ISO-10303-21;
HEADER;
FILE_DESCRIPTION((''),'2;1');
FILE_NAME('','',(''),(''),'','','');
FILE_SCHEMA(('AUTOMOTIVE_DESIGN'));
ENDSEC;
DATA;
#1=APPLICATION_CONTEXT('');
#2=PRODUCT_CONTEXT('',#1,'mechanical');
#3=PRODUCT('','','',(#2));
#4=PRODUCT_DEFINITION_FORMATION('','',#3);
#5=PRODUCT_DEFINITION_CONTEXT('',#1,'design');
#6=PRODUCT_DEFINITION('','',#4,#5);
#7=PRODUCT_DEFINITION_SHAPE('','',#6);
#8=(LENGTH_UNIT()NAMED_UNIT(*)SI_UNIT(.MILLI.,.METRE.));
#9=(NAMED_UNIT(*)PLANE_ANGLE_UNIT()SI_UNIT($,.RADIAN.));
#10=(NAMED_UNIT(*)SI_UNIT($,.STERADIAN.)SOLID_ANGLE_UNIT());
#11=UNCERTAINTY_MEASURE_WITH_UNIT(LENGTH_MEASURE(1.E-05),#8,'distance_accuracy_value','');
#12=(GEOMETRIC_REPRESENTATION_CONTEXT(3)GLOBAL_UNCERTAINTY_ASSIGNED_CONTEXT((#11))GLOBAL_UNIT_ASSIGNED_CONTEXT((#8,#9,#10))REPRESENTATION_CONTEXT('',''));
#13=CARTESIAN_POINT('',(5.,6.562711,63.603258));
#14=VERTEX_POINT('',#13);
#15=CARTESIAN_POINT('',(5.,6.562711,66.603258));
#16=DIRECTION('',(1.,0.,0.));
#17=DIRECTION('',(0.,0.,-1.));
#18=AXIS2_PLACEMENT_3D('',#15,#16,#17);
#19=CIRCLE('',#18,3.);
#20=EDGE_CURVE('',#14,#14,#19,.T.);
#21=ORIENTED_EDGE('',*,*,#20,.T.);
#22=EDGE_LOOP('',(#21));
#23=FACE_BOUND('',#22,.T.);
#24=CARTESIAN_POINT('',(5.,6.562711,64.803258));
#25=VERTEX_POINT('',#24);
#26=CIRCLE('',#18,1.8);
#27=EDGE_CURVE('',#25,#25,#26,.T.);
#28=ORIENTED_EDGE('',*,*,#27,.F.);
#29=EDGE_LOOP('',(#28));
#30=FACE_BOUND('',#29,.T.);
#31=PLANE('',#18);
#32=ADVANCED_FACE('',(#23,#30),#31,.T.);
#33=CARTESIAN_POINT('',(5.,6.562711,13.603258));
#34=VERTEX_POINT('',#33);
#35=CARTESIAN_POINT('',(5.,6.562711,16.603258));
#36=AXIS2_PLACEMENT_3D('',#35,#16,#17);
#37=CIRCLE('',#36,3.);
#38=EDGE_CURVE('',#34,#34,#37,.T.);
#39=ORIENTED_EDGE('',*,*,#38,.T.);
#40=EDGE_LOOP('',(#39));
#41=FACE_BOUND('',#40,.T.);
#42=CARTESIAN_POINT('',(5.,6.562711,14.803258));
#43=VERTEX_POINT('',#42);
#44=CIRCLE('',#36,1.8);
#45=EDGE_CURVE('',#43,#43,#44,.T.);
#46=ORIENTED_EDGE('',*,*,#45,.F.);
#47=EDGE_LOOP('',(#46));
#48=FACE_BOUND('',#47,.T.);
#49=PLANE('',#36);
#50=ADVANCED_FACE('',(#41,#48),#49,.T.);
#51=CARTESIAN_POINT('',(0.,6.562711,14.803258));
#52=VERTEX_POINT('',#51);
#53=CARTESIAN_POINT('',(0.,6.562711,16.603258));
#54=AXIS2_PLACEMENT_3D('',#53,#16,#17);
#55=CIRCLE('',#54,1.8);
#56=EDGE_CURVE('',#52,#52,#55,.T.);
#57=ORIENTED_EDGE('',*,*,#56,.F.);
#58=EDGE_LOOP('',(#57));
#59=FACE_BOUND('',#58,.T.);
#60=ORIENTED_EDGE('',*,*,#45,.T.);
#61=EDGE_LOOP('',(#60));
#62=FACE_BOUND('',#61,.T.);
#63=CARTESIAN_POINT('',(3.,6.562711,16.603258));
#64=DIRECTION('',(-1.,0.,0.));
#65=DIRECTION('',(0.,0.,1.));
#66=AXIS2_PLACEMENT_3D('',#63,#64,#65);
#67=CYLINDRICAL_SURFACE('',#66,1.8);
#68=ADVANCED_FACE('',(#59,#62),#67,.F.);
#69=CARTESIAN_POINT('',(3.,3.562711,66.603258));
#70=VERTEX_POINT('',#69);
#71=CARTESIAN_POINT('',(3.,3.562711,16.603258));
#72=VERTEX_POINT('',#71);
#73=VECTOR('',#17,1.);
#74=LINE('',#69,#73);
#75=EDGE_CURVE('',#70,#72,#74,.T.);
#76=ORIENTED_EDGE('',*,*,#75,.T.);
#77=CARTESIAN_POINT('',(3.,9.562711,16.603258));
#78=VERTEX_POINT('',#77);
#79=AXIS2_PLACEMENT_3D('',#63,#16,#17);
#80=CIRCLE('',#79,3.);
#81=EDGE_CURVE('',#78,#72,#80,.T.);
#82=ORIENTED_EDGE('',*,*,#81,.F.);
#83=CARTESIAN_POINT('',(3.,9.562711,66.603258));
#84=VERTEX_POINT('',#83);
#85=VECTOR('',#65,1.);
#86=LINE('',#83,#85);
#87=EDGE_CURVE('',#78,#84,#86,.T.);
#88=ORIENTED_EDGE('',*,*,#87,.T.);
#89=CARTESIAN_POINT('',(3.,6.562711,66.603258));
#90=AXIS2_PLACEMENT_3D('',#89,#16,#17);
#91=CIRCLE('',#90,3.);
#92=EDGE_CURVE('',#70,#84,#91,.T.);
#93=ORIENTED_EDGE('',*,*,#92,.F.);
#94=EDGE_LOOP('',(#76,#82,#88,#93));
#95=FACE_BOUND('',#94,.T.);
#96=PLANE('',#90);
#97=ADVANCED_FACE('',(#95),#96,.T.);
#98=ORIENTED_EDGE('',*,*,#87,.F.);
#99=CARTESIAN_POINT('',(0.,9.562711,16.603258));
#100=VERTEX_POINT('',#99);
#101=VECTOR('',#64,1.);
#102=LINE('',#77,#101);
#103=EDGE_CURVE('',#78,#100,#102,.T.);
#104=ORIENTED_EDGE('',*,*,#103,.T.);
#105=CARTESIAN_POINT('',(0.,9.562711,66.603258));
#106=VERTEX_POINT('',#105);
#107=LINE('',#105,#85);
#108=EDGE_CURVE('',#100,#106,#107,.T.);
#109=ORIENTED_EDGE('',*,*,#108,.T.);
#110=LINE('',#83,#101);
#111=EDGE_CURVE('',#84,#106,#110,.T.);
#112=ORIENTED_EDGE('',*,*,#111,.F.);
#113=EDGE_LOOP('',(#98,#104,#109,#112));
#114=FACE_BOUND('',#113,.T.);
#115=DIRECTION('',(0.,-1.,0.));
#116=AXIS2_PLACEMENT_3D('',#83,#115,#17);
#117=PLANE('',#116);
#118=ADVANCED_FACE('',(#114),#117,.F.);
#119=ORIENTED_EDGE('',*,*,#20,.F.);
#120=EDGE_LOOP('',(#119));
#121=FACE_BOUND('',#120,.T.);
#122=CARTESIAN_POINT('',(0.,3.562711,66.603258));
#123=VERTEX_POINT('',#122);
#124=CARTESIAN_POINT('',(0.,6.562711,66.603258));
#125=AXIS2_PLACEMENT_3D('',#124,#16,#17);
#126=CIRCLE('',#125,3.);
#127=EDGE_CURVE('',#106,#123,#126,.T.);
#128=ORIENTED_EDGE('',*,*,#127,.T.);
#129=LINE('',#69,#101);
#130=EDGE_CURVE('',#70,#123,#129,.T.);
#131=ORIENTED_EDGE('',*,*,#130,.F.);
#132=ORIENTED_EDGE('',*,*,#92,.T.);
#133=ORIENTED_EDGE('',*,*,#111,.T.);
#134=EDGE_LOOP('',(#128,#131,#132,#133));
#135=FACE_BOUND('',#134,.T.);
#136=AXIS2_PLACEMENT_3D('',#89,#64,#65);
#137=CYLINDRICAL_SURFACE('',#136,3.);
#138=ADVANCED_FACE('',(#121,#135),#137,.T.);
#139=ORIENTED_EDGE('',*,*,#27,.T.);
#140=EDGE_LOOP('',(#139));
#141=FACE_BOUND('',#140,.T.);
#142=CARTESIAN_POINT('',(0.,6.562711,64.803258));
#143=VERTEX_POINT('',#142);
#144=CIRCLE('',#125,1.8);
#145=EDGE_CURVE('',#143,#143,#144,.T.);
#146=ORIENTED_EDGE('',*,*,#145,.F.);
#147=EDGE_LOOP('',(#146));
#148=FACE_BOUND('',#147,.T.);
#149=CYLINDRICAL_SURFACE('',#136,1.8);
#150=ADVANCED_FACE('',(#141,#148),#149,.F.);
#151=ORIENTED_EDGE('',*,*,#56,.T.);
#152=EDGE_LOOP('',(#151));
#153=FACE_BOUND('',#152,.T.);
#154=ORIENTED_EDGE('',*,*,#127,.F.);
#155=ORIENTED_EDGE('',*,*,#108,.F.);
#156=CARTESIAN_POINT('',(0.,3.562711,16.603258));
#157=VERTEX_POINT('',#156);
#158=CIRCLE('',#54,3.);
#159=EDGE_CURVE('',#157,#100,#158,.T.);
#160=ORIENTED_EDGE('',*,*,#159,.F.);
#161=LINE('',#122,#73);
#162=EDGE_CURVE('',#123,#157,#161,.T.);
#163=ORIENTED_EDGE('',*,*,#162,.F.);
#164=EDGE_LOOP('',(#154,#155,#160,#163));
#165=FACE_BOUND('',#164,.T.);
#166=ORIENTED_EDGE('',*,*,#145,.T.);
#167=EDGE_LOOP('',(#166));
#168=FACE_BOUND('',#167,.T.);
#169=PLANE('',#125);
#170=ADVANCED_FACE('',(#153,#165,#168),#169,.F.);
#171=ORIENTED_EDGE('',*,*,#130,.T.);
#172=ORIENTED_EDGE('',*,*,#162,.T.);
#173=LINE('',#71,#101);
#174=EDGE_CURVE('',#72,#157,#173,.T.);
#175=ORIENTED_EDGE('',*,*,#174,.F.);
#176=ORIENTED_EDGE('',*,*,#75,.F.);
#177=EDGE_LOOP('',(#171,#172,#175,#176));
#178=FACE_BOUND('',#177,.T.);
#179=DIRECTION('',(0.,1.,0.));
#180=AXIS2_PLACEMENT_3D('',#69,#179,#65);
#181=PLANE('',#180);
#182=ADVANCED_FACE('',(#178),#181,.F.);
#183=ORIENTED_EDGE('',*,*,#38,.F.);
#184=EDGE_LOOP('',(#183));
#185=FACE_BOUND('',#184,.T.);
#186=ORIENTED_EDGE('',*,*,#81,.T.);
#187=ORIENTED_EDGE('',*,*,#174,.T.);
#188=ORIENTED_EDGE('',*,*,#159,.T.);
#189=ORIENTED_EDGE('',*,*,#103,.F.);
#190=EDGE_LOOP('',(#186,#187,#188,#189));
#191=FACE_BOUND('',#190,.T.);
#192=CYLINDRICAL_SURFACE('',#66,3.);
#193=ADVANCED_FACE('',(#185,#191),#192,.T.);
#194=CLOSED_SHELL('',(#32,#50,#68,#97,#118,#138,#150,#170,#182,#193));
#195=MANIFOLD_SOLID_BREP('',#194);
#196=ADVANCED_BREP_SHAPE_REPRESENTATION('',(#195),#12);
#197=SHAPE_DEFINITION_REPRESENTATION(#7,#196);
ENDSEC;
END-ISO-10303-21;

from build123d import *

# Parameters (mm, degrees)
SKETCH1_R           = 1.8
BOSS_EXTRUDE1_DEPTH = 3
SKETCH2_R           = 3
SKETCH2_R_2         = 1.8
BOSS_EXTRUDE2_DEPTH = 2


with BuildPart() as part:
    # Sketch1 → Boss-Extrude1 (new body)
    with BuildSketch(Plane(origin=(0, 0, 0), x_dir=(0, 0, -1), z_dir=(1, 0, 0))):
        with BuildLine():
            Line((-66.603258311, 3.562711266), (-16.603258311, 3.562711266))
            ThreePointArc((-16.603258311, 3.562711266), (-13.603258311, 6.562711266), (-16.603258311, 9.562711266))
            Line((-16.603258311, 9.562711266), (-66.603258311, 9.562711266))
            ThreePointArc((-66.603258311, 9.562711266), (-69.603258311, 6.562711266), (-66.603258311, 3.562711266))
        make_face()
        with Locations((-66.603258311, 6.562711266)):
            Circle(SKETCH1_R, mode=Mode.SUBTRACT)
        with Locations((-16.603258311, 6.562711266)):
            Circle(SKETCH1_R, mode=Mode.SUBTRACT)
    extrude(amount=BOSS_EXTRUDE1_DEPTH)

    # Sketch2 → Boss-Extrude2 (add)
    with BuildSketch(Plane(origin=(3, 0, 0), x_dir=(0, 0, -1), z_dir=(1, 0, 0))):
        with Locations((-66.603258311, 6.562711266)):
            Circle(SKETCH2_R)
        with Locations((-66.603258311, 6.562711266)):
            Circle(SKETCH2_R_2, mode=Mode.SUBTRACT)
        with Locations((-16.603258311, 6.562711266)):
            Circle(SKETCH2_R)
        with Locations((-16.603258311, 6.562711266)):
            Circle(SKETCH2_R_2, mode=Mode.SUBTRACT)
    extrude(amount=BOSS_EXTRUDE2_DEPTH)


solid = part.part
